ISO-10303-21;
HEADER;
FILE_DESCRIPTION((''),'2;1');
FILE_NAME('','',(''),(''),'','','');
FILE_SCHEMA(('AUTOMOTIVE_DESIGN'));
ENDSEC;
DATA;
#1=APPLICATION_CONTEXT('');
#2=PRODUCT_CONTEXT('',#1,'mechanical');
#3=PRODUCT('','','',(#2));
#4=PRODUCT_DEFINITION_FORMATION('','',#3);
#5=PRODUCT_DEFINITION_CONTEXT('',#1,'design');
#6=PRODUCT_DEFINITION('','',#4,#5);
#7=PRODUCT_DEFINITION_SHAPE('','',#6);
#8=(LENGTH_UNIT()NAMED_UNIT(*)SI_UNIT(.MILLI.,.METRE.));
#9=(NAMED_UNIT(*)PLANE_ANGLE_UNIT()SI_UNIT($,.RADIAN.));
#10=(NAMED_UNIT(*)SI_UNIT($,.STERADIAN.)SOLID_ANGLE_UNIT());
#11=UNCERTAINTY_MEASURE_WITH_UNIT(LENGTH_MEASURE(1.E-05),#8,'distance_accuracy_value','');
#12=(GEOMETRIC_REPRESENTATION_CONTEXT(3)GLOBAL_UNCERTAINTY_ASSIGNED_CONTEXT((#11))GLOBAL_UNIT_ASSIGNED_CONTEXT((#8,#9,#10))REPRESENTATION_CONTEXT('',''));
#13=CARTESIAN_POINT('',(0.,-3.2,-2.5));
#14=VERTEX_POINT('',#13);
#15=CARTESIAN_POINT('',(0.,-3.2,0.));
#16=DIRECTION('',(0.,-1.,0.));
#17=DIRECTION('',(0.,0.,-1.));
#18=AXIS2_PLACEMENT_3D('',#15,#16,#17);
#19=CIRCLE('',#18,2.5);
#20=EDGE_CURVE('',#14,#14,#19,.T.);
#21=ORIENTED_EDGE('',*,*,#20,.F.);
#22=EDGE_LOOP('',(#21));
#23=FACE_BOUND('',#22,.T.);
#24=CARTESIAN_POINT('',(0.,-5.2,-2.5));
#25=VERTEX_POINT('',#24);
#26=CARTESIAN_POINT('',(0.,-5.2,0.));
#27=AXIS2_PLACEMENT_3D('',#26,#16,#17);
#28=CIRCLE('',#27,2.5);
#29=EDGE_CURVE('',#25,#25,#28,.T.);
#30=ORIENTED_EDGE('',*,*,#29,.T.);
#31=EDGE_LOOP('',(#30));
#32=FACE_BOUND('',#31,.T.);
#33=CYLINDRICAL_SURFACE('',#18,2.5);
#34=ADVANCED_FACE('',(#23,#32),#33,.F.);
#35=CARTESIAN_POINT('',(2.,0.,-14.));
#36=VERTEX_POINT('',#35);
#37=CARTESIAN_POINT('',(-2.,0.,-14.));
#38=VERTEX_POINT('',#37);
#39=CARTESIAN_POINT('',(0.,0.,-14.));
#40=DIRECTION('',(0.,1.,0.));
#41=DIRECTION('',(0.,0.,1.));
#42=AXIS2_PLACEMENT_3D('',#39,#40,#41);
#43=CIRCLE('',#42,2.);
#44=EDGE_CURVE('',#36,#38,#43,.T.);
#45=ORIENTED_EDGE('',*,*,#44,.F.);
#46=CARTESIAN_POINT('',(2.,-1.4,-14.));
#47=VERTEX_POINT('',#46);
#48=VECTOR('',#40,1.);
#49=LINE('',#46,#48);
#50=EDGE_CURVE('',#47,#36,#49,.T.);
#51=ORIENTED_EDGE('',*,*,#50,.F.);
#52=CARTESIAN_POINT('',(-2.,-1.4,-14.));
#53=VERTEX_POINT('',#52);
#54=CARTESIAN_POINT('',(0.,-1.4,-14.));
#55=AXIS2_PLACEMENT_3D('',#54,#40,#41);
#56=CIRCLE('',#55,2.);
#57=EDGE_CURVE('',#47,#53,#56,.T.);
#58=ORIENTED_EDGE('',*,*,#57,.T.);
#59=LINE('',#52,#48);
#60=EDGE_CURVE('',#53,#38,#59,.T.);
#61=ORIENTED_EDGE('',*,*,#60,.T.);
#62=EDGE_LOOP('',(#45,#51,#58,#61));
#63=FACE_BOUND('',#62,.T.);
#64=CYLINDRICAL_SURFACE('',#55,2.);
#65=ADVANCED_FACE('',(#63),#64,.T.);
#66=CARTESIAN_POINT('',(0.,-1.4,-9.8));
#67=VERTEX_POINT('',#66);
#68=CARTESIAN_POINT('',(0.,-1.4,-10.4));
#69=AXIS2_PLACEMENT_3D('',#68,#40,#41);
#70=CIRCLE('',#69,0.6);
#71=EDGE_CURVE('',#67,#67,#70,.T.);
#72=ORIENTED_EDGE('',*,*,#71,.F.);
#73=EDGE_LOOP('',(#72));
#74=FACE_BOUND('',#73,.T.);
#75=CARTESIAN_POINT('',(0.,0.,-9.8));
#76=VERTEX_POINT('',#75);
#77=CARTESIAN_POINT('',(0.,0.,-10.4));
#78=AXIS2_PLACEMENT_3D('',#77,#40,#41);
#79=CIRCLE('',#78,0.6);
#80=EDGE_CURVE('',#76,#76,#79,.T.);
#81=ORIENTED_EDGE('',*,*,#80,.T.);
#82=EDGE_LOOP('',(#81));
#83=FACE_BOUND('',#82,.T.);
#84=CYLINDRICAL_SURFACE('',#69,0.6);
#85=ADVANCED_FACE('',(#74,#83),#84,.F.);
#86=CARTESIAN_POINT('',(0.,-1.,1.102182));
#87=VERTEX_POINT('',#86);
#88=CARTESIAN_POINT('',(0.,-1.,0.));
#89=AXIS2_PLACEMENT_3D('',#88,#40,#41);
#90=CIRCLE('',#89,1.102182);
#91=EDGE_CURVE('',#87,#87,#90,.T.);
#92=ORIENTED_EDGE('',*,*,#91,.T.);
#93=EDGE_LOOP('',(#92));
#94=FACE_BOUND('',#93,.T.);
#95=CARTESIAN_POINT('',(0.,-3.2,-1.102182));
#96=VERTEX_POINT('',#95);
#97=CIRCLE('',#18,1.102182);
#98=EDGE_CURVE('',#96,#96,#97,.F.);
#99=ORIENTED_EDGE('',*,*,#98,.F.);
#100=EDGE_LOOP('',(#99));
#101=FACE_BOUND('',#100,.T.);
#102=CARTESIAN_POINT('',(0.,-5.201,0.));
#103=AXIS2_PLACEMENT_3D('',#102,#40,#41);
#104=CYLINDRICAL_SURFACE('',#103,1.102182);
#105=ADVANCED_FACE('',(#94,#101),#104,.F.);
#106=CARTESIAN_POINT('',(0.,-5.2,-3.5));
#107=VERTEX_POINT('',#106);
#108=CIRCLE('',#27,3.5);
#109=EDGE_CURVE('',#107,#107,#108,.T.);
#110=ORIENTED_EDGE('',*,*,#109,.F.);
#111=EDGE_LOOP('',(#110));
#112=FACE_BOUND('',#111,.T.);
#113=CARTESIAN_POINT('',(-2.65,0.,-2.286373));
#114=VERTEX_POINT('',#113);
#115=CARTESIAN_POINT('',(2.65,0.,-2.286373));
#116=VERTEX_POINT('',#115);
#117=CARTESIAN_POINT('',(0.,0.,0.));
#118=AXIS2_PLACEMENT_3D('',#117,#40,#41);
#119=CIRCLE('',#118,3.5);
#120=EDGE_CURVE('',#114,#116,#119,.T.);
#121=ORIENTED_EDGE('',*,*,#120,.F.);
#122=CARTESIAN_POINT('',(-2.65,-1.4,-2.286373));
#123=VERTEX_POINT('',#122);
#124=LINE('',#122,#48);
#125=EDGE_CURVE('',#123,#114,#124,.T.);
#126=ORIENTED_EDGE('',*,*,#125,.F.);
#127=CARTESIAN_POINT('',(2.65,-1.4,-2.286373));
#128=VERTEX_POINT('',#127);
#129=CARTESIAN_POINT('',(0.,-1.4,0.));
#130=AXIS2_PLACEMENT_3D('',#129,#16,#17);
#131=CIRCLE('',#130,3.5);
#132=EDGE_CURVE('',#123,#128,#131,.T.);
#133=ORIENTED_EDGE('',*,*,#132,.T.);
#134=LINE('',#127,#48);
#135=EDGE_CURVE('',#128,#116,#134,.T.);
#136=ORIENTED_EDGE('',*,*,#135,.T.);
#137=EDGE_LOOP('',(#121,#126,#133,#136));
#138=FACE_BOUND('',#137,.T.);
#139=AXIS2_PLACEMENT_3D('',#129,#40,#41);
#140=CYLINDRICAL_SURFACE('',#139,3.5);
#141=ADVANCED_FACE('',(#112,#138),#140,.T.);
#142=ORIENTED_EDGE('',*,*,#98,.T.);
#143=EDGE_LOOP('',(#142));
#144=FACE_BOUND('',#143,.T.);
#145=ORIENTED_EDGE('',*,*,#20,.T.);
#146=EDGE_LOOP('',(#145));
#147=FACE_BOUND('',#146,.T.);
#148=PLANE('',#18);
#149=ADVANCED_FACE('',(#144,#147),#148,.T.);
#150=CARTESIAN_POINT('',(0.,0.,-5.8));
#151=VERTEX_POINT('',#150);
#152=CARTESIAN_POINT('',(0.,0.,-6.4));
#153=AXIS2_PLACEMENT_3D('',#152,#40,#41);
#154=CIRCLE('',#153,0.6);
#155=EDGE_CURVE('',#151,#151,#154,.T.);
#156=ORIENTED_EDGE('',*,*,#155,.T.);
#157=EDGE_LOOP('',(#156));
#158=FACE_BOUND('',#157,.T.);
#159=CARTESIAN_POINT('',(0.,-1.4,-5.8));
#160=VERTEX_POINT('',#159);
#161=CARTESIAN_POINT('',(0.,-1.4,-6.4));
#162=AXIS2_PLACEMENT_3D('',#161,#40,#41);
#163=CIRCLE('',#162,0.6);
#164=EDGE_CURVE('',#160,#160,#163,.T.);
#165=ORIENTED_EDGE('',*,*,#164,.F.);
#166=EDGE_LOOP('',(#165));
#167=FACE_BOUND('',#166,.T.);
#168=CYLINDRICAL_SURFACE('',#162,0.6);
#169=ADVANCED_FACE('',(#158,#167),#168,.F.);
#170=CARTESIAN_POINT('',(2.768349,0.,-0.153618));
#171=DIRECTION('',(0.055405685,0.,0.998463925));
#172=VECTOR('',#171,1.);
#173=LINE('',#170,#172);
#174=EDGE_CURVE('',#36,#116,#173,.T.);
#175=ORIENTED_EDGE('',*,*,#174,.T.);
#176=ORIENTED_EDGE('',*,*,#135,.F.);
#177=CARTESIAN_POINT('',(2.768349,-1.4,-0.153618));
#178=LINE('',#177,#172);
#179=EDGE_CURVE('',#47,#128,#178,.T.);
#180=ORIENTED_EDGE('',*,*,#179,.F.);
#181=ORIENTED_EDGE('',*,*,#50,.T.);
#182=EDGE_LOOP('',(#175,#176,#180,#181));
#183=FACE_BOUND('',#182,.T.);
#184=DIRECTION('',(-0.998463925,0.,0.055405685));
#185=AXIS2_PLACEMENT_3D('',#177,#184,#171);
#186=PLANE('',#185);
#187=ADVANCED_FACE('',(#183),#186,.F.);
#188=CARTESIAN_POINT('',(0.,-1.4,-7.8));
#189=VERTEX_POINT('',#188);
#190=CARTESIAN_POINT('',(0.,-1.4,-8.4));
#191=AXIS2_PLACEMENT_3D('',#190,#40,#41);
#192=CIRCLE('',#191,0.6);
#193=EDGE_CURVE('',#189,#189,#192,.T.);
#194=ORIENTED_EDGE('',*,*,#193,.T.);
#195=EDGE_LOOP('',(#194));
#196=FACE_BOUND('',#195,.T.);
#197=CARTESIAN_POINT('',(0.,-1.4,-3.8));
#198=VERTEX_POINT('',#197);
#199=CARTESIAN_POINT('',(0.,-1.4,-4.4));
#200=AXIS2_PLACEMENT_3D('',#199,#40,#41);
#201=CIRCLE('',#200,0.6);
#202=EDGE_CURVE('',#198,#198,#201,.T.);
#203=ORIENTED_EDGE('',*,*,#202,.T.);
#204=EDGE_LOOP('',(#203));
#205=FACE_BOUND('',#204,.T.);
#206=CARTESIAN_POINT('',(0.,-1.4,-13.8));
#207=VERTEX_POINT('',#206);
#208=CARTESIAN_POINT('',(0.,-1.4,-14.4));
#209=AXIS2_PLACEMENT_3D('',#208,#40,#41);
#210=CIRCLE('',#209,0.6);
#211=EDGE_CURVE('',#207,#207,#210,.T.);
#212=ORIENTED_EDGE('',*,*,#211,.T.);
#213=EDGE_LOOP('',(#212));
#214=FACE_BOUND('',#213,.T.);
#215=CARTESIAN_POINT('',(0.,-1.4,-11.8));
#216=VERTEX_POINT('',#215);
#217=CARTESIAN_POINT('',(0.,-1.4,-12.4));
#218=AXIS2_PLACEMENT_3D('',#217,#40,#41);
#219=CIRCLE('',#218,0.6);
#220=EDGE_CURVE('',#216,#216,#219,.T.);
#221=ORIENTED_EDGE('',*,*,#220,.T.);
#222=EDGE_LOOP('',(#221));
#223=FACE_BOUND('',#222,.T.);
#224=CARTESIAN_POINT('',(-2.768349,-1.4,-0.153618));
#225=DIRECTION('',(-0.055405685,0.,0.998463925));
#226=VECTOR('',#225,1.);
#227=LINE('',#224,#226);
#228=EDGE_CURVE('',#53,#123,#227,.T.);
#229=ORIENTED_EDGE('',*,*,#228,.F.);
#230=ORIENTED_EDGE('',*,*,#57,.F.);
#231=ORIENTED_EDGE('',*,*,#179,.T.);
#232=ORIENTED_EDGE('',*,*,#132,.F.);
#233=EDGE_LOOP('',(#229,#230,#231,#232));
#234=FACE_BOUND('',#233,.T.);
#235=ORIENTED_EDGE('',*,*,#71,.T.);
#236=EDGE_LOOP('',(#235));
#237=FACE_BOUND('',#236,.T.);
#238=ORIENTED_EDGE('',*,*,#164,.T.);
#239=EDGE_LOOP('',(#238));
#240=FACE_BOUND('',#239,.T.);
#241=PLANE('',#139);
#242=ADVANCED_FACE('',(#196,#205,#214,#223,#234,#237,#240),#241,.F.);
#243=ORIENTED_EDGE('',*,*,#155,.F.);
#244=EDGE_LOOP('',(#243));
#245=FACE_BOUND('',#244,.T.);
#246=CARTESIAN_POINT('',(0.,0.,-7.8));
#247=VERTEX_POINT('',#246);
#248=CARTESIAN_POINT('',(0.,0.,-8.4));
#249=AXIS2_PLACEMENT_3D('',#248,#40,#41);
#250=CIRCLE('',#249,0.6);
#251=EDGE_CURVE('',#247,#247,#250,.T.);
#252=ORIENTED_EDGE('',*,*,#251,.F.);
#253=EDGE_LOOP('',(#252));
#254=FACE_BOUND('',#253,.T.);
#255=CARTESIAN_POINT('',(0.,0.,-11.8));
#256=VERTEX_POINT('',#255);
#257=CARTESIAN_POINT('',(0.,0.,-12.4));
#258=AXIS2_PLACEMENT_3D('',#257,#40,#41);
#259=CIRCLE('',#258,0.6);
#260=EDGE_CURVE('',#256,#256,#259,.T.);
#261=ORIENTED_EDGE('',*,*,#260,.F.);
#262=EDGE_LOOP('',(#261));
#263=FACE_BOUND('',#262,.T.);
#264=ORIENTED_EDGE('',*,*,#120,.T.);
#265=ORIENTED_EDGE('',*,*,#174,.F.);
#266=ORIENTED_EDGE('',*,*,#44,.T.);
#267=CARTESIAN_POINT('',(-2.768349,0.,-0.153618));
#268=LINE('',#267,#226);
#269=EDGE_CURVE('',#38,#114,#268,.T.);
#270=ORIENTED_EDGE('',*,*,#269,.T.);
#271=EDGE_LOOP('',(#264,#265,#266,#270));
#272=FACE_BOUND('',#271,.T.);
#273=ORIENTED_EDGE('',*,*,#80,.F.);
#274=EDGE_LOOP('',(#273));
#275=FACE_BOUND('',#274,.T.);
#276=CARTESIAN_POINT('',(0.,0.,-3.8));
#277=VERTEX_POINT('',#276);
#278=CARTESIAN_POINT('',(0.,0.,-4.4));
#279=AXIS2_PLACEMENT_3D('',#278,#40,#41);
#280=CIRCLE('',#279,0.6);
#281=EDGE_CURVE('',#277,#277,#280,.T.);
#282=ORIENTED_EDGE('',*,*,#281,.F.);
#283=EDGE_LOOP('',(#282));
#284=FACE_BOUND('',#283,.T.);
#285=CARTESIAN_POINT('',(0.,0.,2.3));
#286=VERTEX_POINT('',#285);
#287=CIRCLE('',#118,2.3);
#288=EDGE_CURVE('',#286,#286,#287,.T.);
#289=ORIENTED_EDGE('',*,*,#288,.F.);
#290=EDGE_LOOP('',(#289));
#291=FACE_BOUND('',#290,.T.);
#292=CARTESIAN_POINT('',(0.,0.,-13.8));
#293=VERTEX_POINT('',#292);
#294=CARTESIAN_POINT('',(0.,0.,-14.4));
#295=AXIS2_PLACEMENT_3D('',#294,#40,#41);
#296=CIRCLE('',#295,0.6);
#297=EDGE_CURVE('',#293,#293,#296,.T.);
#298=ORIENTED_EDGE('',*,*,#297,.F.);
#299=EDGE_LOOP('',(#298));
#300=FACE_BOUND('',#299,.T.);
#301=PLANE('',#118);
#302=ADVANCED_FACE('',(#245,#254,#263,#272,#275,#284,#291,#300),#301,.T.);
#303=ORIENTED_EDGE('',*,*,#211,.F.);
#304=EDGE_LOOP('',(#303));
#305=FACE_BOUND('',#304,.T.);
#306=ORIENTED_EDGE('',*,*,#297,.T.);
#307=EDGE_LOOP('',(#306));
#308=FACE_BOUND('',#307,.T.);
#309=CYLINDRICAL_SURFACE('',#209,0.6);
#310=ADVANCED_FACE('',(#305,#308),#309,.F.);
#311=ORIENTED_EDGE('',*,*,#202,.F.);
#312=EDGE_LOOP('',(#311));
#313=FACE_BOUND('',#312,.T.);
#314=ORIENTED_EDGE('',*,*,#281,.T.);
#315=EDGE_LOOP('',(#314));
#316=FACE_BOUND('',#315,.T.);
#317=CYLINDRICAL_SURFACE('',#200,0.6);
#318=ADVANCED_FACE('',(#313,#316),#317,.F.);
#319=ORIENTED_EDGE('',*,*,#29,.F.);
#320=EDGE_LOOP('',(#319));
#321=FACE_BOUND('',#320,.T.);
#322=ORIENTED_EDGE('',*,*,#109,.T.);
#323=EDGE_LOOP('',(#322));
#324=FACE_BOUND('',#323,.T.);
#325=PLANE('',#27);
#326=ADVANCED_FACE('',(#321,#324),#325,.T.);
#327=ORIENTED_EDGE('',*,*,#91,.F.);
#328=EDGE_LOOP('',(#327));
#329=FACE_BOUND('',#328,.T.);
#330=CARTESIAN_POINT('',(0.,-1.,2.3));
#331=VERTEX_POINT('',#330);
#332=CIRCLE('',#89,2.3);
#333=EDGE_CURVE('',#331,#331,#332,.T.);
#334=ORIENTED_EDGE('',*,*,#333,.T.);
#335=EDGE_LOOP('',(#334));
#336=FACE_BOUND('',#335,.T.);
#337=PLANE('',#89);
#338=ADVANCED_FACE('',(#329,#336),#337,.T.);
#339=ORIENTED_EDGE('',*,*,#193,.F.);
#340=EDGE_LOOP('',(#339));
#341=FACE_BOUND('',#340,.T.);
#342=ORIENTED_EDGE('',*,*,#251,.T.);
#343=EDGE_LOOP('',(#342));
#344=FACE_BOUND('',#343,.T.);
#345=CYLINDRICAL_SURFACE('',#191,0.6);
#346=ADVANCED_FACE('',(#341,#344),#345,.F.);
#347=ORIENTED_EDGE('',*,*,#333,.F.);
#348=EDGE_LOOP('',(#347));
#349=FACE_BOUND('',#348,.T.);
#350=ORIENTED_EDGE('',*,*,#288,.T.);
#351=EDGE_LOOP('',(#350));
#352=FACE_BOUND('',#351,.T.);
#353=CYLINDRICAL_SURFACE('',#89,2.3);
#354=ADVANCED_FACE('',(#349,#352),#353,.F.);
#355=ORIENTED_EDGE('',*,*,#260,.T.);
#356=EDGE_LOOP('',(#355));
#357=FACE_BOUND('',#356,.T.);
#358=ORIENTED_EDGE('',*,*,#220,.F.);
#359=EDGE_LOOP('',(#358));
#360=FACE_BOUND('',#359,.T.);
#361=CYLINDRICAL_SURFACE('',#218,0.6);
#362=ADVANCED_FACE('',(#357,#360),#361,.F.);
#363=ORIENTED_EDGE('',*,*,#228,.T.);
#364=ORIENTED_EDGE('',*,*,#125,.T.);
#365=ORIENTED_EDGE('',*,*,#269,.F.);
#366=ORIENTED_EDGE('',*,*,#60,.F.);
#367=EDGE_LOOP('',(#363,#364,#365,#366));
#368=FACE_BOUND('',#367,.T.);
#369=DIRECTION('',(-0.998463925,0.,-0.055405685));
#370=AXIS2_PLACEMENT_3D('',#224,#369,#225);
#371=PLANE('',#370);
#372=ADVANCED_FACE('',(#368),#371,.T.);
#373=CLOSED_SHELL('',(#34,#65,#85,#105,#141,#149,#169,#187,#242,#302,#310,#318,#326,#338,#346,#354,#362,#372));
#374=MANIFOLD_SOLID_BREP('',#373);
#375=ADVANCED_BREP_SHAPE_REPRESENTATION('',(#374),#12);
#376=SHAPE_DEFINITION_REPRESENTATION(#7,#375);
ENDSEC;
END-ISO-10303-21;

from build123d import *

# Parameters (mm, degrees)
BOSS_EXTRUDE1_DEPTH = 1.4
SKETCH2_R           = 3.5
BOSS_EXTRUDE2_DEPTH = 3.8
SKETCH3_R           = 2.3
CUT_EXTRUDE1_DEPTH  = 1
SKETCH4_R           = 2.5
CUT_EXTRUDE2_DEPTH  = 2
CUT_EXTRUDE3_REACH  = 18.908
SKETCH5_R           = 1.102182


with BuildPart() as part:
    # Sketch1 → Boss-Extrude1 (new body)
    with BuildSketch(Plane(origin=(0, 0, 0), x_dir=(1, 0, 0), z_dir=(0, 1, 0))):
        with BuildLine():
            ThreePointArc((2, 14), (0, 16), (-2, 14))
            Line((-2, 14), (-2.65, 2.286373))
            ThreePointArc((-2.65, 2.286373), (-2.286373, -2.65), (2.65, -2.286373))
            ThreePointArc((2.65, -2.286373), (3.5, 0), (2.65, 2.286373))
            Line((2.65, 2.286373), (2, 14))
        make_face()
        with BuildLine():
            ThreePointArc((0, 3.8), (-0.6, 4.4), (0, 5))
            ThreePointArc((0, 5), (0.424264, 4.824264), (0.6, 4.4))
            ThreePointArc((0.6, 4.4), (0.424264, 3.975736), (0, 3.8))
        make_face(mode=Mode.SUBTRACT)
        with BuildLine():
            ThreePointArc((0, 5.8), (-0.6, 6.4), (0, 7))
            ThreePointArc((0, 7), (0.424264, 6.824264), (0.6, 6.4))
            ThreePointArc((0.6, 6.4), (0.424264, 5.975736), (0, 5.8))
        make_face(mode=Mode.SUBTRACT)
        with BuildLine():
            ThreePointArc((0, 7.8), (-0.6, 8.4), (0, 9))
            ThreePointArc((0, 9), (0.424264, 8.824264), (0.6, 8.4))
            ThreePointArc((0.6, 8.4), (0.424264, 7.975736), (0, 7.8))
        make_face(mode=Mode.SUBTRACT)
        with BuildLine():
            ThreePointArc((0, 9.8), (-0.6, 10.4), (0, 11))
            ThreePointArc((0, 11), (0.424264, 10.824264), (0.6, 10.4))
            ThreePointArc((0.6, 10.4), (0.424264, 9.975736), (0, 9.8))
        make_face(mode=Mode.SUBTRACT)
        with BuildLine():
            ThreePointArc((0, 11.8), (-0.6, 12.4), (0, 13))
            ThreePointArc((0, 13), (0.424264, 12.824264), (0.6, 12.4))
            ThreePointArc((0.6, 12.4), (0.424264, 11.975736), (0, 11.8))
        make_face(mode=Mode.SUBTRACT)
        with BuildLine():
            ThreePointArc((0.6, 14.4), (0.424264, 13.975736), (0, 13.8))
            ThreePointArc((0, 13.8), (-0.424264, 14.824264), (0.6, 14.4))
        make_face(mode=Mode.SUBTRACT)
    extrude(amount=-BOSS_EXTRUDE1_DEPTH)

    # Sketch2 → Boss-Extrude2 (add)
    with BuildSketch(Plane(origin=(0, -1.4, 0), x_dir=(-1, 0, 0), z_dir=(0, -1, 0))):
        with Locations(Location((0, 0, 0), (0, 0, 139.212962))):
            Circle(SKETCH2_R)
    extrude(amount=BOSS_EXTRUDE2_DEPTH)

    # Sketch3 → Cut-Extrude1 (cut)
    with BuildSketch(Plane(origin=(0, 0, 0), x_dir=(1, 0, 0), z_dir=(0, 1, 0))):
        with Locations(Location((0, 0, 0), (0, 0, 270))):
            Circle(SKETCH3_R)
    extrude(amount=-CUT_EXTRUDE1_DEPTH, mode=Mode.SUBTRACT)

    # Sketch4 → Cut-Extrude2 (cut)
    with BuildSketch(Plane(origin=(0, -5.2, 0), x_dir=(-1, 0, 0), z_dir=(0, -1, 0))):
        with Locations(Location((0, 0, 0), (0, 0, 90))):
            Circle(SKETCH4_R)
    extrude(amount=-CUT_EXTRUDE2_DEPTH, mode=Mode.SUBTRACT)

    # Sketch5 → Cut-Extrude3 (cut, up to next)
    with BuildSketch(Plane(origin=(0, -1, 0), x_dir=(1, 0, 0), z_dir=(0, 1, 0)), mode=Mode.PRIVATE) as cut_extrude3_sk1:
        with Locations(Location((0, 0, 0), (0, 0, 270))):
            Circle(SKETCH5_R)
    cut_extrude3_tool1 = extrude(cut_extrude3_sk1.sketch, amount=-CUT_EXTRUDE3_REACH, mode=Mode.PRIVATE) & part.part
    add(cut_extrude3_tool1.solids().sort_by_distance((0, -1, 0))[0], mode=Mode.SUBTRACT)


solid = part.part
